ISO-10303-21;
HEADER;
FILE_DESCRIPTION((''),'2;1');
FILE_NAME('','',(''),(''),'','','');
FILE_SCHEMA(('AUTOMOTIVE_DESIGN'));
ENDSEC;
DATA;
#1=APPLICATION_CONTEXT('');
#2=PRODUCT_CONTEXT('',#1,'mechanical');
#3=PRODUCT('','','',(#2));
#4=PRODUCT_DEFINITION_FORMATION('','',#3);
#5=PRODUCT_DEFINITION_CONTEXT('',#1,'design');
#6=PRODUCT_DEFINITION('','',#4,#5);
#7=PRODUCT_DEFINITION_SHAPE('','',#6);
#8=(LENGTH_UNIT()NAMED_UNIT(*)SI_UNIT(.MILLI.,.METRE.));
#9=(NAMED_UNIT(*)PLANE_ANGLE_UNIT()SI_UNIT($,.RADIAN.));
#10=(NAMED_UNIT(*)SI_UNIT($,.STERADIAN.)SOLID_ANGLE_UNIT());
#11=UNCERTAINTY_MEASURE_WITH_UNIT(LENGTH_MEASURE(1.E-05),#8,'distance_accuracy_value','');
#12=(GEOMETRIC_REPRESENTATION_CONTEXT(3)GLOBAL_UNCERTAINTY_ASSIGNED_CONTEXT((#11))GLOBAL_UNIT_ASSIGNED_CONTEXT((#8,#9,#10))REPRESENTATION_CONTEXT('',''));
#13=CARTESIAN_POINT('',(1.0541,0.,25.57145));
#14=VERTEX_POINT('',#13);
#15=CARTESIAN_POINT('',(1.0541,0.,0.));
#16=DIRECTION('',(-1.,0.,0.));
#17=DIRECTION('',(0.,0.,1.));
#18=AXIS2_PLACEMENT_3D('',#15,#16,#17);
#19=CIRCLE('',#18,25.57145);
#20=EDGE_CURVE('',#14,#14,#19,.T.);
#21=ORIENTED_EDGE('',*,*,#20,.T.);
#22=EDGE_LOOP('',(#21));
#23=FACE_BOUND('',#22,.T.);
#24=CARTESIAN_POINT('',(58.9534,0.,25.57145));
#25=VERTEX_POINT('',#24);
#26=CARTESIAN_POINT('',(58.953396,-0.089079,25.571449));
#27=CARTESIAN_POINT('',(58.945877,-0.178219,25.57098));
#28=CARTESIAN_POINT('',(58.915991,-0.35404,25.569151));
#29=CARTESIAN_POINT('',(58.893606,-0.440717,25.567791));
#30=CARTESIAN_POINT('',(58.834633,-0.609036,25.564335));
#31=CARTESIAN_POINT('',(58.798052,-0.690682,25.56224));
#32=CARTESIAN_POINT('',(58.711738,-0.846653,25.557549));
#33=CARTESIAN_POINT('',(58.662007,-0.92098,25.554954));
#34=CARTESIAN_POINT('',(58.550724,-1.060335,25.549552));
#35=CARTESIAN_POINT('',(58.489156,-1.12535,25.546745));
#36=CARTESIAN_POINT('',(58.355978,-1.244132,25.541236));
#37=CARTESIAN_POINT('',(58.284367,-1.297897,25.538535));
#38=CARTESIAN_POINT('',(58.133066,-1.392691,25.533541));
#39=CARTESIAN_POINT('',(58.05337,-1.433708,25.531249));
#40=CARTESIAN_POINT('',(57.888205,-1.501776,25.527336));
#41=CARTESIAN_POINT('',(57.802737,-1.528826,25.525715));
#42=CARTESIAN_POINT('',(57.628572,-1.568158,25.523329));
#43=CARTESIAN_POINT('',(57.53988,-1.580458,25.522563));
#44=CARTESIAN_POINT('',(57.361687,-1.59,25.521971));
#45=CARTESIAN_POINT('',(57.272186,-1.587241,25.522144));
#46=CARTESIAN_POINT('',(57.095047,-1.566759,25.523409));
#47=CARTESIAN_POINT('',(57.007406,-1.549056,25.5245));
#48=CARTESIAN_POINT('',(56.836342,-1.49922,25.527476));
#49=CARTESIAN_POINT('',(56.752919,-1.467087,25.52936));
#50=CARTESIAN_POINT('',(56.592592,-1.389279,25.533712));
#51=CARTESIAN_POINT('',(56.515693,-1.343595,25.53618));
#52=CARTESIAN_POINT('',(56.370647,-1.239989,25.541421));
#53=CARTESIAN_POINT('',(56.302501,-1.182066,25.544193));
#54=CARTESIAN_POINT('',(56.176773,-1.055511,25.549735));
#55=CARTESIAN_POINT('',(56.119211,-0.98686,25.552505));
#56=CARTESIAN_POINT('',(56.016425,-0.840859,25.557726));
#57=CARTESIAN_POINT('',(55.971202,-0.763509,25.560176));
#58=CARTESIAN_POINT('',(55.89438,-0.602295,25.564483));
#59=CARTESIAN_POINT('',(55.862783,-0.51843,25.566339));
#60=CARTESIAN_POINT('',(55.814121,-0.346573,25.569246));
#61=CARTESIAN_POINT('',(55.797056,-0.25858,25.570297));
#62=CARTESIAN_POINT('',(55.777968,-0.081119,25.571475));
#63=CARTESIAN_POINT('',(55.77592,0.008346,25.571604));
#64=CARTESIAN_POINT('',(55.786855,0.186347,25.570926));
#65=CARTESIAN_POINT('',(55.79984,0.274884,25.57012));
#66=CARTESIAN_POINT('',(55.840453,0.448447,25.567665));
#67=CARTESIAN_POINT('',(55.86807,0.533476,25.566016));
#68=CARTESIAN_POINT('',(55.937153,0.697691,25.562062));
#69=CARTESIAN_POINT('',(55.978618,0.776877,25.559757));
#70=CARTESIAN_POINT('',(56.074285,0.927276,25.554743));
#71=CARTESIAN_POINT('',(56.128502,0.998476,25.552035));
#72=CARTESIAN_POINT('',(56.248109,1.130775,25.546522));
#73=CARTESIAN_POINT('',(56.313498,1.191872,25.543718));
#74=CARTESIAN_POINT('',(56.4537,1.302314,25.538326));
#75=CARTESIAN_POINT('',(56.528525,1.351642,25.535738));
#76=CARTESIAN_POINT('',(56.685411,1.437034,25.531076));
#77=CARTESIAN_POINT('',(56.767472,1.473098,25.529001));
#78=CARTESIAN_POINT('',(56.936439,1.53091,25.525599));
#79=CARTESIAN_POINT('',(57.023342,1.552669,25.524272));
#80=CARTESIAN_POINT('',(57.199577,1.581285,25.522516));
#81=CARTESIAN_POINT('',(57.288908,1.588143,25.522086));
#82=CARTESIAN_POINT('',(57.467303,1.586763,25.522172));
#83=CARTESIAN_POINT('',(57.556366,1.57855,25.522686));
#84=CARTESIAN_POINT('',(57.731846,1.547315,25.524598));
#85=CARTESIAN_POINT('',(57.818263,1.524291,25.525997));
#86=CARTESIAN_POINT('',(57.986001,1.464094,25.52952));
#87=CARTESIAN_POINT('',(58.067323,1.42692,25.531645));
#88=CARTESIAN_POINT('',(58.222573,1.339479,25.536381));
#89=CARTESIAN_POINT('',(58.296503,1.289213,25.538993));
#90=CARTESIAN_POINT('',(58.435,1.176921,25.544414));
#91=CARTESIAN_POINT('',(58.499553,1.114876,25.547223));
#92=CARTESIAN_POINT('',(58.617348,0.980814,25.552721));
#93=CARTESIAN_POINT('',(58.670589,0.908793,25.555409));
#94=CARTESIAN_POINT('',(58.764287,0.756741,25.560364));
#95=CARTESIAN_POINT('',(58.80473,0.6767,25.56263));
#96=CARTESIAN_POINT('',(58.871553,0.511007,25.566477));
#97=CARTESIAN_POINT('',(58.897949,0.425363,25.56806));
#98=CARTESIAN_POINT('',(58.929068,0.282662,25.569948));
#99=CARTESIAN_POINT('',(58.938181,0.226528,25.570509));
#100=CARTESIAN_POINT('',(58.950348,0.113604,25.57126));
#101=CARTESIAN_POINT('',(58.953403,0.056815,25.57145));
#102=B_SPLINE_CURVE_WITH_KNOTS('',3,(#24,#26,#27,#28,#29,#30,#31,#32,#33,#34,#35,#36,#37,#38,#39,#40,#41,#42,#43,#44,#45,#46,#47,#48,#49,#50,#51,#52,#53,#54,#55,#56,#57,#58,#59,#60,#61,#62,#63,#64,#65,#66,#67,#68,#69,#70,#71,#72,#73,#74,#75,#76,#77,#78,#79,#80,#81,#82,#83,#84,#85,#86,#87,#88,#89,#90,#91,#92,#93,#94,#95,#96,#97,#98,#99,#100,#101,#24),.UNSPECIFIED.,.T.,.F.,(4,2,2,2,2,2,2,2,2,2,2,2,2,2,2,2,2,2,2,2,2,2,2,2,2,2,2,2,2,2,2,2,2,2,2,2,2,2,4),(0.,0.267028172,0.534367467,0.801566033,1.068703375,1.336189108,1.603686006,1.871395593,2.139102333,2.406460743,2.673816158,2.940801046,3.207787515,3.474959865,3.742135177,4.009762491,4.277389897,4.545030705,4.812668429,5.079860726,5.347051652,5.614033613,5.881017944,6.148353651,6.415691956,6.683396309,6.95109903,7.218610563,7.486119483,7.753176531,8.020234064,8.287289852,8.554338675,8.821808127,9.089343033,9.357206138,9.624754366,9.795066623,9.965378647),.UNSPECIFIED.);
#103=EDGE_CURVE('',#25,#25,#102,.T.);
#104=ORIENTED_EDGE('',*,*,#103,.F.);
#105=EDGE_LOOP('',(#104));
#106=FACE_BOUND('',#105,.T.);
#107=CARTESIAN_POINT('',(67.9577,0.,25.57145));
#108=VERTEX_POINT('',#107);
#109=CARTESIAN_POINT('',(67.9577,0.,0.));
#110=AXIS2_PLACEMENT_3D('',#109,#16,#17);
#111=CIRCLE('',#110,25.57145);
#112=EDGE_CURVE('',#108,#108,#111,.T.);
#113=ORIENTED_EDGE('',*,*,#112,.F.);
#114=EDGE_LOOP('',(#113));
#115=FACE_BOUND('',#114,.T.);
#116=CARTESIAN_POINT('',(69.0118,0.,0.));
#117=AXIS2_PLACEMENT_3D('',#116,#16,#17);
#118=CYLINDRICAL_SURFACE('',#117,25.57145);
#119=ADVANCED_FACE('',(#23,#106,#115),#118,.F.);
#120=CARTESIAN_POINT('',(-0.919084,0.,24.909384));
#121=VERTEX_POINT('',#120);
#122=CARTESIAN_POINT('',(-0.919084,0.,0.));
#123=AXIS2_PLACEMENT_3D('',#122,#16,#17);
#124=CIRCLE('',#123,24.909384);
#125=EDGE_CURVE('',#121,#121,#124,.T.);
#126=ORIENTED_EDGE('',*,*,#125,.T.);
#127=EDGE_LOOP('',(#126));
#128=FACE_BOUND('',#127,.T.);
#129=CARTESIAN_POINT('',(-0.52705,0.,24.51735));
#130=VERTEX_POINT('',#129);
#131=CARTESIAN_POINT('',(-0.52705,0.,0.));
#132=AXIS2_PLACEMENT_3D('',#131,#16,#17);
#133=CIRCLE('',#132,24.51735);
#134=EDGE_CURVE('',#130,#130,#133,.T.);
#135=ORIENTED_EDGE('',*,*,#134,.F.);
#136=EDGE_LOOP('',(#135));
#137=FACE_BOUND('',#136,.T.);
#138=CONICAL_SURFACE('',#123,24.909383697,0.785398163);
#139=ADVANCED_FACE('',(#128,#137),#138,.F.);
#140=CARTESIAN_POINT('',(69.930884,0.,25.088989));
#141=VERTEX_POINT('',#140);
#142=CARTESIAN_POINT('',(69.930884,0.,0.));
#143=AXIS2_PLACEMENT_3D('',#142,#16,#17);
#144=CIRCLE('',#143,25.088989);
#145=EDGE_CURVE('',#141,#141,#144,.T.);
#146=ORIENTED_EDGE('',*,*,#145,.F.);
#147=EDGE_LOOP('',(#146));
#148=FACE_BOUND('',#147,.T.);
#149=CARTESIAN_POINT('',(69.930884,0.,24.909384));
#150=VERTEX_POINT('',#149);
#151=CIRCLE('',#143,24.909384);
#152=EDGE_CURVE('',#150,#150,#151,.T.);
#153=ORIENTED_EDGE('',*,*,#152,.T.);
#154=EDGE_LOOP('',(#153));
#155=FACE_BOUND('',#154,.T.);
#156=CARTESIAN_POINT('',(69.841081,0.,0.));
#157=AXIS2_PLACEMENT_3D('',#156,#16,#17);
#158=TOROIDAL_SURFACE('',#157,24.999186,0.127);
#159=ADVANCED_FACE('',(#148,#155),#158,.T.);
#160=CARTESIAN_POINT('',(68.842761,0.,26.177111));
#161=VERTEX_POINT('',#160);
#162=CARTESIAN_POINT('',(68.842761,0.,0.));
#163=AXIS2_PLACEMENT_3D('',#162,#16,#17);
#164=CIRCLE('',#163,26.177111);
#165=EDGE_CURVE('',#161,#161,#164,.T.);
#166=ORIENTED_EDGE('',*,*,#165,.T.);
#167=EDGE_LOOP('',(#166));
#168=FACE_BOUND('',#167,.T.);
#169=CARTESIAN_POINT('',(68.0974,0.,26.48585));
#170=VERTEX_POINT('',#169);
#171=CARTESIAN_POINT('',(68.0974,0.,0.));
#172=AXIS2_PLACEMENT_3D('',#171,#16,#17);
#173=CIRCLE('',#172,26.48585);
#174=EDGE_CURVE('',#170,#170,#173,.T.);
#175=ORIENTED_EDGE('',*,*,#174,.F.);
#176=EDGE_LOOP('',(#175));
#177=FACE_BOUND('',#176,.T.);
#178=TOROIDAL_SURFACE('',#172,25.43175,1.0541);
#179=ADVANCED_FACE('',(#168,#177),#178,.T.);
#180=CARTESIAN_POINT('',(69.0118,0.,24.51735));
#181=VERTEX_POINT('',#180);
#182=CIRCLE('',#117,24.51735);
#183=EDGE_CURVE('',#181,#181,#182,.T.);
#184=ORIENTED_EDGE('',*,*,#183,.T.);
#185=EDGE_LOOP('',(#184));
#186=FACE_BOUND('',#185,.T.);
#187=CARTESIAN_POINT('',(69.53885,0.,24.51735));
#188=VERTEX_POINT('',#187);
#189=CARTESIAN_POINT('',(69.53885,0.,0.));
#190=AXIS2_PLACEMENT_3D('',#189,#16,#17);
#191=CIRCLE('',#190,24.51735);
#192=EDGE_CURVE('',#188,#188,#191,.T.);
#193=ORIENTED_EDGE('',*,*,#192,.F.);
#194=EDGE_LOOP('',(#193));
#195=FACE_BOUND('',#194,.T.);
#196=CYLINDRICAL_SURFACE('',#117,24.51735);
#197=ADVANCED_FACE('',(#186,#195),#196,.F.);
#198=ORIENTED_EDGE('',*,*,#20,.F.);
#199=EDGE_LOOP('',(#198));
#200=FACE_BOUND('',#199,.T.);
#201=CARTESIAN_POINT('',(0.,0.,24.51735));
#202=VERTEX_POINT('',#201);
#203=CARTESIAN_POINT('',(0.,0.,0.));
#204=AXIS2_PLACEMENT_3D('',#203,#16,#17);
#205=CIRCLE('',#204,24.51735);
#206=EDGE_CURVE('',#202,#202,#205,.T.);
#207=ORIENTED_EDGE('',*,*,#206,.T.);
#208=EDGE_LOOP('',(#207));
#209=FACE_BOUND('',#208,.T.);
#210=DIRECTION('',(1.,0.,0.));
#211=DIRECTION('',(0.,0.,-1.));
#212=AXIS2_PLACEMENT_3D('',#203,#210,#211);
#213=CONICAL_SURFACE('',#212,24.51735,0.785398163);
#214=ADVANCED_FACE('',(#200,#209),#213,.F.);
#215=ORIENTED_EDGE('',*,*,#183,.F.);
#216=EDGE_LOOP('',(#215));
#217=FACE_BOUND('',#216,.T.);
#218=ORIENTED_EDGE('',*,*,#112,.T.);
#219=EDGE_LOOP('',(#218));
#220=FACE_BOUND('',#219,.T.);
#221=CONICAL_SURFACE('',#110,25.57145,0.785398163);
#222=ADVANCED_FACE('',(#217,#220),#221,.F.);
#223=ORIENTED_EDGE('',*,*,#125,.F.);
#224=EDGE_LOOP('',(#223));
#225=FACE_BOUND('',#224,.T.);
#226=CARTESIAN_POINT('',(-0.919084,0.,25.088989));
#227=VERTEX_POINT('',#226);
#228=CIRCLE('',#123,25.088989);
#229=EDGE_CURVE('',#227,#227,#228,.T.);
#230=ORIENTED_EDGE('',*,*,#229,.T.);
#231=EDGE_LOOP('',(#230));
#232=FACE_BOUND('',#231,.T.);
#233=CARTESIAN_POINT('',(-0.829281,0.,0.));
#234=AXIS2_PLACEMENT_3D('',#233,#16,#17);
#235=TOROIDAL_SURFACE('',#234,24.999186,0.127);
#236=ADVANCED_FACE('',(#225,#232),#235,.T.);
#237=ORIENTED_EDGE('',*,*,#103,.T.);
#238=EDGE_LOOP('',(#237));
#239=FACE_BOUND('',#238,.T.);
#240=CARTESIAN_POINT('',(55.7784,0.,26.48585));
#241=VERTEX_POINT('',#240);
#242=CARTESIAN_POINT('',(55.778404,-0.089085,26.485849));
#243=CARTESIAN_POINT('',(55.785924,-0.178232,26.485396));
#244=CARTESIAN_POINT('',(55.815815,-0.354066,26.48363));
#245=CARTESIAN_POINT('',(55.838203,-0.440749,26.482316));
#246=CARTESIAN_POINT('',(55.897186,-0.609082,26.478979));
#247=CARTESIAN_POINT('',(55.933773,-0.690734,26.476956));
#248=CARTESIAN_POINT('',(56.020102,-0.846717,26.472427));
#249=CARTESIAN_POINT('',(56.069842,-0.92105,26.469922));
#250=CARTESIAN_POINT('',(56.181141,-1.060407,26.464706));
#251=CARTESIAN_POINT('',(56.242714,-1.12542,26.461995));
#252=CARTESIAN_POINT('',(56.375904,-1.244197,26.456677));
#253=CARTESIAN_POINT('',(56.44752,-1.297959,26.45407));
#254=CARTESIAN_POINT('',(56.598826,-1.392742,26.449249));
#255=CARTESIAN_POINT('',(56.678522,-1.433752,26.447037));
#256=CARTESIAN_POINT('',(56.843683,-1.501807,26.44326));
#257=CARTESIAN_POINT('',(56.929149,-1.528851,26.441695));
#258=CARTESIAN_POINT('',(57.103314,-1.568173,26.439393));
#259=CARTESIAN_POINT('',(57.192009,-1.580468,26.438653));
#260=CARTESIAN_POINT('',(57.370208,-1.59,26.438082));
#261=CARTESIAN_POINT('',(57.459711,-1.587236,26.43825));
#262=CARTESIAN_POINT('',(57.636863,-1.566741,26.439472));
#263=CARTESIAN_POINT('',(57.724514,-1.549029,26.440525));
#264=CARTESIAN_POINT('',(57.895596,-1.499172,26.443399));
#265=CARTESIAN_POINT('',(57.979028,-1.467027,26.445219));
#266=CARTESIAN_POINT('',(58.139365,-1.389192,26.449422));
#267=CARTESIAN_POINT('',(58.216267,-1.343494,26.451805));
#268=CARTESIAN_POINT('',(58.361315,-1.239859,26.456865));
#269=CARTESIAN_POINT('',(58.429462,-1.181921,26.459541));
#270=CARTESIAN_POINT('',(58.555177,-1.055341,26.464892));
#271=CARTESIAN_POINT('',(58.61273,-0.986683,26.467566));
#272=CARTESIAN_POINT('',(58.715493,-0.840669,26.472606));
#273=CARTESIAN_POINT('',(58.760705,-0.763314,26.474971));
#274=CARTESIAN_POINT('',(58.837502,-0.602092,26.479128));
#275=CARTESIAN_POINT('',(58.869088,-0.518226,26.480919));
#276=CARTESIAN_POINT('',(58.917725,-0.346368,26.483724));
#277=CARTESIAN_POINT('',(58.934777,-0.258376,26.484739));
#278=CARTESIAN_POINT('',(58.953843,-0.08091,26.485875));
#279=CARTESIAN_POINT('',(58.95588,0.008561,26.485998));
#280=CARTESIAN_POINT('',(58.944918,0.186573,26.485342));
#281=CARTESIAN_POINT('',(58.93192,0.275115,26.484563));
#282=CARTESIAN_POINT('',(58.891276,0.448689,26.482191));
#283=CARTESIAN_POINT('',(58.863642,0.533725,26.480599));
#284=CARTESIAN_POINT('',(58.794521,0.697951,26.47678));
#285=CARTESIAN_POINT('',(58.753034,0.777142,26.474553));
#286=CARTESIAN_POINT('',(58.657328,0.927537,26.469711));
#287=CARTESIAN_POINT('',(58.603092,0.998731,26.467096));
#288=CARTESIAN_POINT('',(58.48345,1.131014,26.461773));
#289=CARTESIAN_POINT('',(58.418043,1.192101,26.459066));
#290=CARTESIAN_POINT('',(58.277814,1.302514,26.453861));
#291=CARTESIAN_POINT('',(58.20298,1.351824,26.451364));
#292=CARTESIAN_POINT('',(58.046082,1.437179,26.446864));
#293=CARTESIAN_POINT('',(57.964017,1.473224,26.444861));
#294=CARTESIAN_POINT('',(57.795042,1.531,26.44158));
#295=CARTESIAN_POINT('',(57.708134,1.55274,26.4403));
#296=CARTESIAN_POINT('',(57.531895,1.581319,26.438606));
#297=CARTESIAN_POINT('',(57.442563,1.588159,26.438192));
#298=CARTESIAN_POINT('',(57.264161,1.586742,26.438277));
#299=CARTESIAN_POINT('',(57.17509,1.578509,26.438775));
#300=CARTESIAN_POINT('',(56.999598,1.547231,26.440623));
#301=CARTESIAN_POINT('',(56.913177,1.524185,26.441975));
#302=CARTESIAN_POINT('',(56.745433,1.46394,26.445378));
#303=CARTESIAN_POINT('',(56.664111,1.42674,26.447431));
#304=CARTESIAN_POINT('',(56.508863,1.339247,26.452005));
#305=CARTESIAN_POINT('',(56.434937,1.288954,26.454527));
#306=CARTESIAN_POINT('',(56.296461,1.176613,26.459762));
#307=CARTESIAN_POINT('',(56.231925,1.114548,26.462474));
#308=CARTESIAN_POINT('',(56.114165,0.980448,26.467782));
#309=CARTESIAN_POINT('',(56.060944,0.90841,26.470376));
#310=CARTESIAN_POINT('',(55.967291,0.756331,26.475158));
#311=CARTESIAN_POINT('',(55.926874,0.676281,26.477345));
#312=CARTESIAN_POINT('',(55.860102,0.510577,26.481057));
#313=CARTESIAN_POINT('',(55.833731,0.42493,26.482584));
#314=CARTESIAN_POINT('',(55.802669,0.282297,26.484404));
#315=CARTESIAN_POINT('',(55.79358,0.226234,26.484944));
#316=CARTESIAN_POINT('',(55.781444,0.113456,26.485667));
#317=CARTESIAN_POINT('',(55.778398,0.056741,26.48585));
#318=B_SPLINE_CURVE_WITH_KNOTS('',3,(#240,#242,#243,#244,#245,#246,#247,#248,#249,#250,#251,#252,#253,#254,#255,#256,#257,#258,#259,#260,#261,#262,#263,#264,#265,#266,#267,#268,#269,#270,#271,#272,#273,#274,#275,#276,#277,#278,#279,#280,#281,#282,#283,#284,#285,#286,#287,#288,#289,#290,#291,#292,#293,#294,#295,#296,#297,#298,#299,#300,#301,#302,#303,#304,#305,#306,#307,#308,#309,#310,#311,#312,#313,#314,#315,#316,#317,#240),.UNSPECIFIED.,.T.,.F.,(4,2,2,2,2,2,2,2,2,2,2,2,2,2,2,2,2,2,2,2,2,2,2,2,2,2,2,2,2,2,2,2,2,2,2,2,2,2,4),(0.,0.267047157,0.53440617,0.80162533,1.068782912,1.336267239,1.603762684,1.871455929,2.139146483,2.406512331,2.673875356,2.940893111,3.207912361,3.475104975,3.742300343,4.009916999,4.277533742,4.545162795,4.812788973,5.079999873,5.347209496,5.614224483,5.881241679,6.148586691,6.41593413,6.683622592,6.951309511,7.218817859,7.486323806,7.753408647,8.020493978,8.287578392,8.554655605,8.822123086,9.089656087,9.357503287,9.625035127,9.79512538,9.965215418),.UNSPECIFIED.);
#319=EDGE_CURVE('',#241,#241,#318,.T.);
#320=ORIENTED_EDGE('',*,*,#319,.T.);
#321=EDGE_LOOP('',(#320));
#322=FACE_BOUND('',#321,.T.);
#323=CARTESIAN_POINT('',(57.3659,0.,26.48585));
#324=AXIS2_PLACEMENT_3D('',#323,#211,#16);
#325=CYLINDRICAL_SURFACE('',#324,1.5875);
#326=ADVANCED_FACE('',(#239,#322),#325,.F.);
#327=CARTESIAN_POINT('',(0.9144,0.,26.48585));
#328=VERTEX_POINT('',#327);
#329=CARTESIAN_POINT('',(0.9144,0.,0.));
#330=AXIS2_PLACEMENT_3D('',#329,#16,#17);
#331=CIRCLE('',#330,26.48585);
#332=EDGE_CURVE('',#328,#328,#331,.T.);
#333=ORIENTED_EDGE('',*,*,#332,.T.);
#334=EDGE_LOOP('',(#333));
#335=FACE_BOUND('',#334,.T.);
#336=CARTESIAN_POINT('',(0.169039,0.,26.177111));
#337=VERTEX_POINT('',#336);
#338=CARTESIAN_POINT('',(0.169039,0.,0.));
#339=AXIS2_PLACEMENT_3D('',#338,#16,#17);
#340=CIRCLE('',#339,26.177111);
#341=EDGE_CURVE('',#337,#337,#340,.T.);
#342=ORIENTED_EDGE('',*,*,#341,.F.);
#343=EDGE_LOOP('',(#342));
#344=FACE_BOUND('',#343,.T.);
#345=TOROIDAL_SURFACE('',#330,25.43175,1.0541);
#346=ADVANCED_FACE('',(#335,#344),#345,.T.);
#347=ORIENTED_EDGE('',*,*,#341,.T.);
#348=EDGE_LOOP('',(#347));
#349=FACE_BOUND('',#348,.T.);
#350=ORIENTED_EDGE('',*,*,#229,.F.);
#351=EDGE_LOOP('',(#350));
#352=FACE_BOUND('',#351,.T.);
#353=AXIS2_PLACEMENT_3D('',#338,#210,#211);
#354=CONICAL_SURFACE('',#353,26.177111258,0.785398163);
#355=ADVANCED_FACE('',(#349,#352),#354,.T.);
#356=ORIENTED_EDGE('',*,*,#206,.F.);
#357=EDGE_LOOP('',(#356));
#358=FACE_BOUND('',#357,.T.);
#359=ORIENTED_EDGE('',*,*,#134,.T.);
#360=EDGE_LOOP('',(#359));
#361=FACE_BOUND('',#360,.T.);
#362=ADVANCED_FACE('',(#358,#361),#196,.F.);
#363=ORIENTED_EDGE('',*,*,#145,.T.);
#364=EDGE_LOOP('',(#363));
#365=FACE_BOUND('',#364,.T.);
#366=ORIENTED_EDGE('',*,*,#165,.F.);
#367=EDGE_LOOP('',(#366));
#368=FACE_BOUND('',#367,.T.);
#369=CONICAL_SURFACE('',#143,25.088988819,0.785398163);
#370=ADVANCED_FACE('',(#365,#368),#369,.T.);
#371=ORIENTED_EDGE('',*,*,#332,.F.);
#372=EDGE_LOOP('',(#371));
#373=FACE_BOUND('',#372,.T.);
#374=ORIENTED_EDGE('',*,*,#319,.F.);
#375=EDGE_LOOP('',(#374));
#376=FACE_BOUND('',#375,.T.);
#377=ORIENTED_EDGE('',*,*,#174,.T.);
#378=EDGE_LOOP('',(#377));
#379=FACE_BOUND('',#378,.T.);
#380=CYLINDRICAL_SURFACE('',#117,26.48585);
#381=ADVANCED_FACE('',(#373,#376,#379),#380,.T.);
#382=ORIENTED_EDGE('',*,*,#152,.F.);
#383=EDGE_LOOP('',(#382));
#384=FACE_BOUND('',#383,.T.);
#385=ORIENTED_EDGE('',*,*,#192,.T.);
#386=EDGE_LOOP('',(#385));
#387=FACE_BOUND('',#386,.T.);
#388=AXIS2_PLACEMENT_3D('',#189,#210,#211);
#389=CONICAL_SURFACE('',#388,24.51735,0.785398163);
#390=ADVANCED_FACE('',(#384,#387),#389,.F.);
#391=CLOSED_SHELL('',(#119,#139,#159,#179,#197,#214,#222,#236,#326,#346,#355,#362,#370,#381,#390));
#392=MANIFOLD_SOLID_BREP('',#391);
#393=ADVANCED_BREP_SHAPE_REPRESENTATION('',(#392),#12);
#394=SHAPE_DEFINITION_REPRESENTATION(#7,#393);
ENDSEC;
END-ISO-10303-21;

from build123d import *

# Parameters (mm, degrees)
SKETCH2_R          = 1.5875
CUT_EXTRUDE1_DEPTH = 26.48585


with BuildPart() as part:
    # Sketch1 → Revolve1 (revolve)
    with BuildSketch(Plane.XY):
        with BuildLine():
            Line((-0.919083697, 24.909383697), (-0.52705, 24.51735))
            Line((-0.52705, 24.51735), (0, 24.51735))
            Line((0, 24.51735), (1.0541, 25.57145))
            Line((1.0541, 25.57145), (67.9577, 25.57145))
            Line((67.9577, 25.57145), (69.0118, 24.51735))
            Line((69.0118, 24.51735), (69.53885, 24.51735))
            Line((69.53885, 24.51735), (69.930883697, 24.909383697))
            ThreePointArc((69.930883697, 24.909383697), (69.968081136, 24.999186258), (69.930883697, 25.088988819))
            Line((69.930883697, 25.088988819), (68.842761258, 26.177111258))
            ThreePointArc((68.842761258, 26.177111258), (68.500786606, 26.405611415), (68.0974, 26.48585))
            Line((68.0974, 26.48585), (0.9144, 26.48585))
            ThreePointArc((0.9144, 26.48585), (0.511013394, 26.405611415), (0.169038742, 26.177111258))
            Line((0.169038742, 26.177111258), (-0.919083697, 25.088988819))
            ThreePointArc((-0.919083697, 25.088988819), (-0.956281136, 24.999186258), (-0.919083697, 24.909383697))
        make_face()
    revolve(axis=Axis((69.0118, 0, 0), (-1, 0, 0)))

    # Sketch2 → Cut-Extrude1 (cut)
    with BuildSketch(Plane.XY):
        with Locations((57.3659, 0)):
            Circle(SKETCH2_R)
    extrude(amount=CUT_EXTRUDE1_DEPTH, mode=Mode.SUBTRACT)


solid = part.part
